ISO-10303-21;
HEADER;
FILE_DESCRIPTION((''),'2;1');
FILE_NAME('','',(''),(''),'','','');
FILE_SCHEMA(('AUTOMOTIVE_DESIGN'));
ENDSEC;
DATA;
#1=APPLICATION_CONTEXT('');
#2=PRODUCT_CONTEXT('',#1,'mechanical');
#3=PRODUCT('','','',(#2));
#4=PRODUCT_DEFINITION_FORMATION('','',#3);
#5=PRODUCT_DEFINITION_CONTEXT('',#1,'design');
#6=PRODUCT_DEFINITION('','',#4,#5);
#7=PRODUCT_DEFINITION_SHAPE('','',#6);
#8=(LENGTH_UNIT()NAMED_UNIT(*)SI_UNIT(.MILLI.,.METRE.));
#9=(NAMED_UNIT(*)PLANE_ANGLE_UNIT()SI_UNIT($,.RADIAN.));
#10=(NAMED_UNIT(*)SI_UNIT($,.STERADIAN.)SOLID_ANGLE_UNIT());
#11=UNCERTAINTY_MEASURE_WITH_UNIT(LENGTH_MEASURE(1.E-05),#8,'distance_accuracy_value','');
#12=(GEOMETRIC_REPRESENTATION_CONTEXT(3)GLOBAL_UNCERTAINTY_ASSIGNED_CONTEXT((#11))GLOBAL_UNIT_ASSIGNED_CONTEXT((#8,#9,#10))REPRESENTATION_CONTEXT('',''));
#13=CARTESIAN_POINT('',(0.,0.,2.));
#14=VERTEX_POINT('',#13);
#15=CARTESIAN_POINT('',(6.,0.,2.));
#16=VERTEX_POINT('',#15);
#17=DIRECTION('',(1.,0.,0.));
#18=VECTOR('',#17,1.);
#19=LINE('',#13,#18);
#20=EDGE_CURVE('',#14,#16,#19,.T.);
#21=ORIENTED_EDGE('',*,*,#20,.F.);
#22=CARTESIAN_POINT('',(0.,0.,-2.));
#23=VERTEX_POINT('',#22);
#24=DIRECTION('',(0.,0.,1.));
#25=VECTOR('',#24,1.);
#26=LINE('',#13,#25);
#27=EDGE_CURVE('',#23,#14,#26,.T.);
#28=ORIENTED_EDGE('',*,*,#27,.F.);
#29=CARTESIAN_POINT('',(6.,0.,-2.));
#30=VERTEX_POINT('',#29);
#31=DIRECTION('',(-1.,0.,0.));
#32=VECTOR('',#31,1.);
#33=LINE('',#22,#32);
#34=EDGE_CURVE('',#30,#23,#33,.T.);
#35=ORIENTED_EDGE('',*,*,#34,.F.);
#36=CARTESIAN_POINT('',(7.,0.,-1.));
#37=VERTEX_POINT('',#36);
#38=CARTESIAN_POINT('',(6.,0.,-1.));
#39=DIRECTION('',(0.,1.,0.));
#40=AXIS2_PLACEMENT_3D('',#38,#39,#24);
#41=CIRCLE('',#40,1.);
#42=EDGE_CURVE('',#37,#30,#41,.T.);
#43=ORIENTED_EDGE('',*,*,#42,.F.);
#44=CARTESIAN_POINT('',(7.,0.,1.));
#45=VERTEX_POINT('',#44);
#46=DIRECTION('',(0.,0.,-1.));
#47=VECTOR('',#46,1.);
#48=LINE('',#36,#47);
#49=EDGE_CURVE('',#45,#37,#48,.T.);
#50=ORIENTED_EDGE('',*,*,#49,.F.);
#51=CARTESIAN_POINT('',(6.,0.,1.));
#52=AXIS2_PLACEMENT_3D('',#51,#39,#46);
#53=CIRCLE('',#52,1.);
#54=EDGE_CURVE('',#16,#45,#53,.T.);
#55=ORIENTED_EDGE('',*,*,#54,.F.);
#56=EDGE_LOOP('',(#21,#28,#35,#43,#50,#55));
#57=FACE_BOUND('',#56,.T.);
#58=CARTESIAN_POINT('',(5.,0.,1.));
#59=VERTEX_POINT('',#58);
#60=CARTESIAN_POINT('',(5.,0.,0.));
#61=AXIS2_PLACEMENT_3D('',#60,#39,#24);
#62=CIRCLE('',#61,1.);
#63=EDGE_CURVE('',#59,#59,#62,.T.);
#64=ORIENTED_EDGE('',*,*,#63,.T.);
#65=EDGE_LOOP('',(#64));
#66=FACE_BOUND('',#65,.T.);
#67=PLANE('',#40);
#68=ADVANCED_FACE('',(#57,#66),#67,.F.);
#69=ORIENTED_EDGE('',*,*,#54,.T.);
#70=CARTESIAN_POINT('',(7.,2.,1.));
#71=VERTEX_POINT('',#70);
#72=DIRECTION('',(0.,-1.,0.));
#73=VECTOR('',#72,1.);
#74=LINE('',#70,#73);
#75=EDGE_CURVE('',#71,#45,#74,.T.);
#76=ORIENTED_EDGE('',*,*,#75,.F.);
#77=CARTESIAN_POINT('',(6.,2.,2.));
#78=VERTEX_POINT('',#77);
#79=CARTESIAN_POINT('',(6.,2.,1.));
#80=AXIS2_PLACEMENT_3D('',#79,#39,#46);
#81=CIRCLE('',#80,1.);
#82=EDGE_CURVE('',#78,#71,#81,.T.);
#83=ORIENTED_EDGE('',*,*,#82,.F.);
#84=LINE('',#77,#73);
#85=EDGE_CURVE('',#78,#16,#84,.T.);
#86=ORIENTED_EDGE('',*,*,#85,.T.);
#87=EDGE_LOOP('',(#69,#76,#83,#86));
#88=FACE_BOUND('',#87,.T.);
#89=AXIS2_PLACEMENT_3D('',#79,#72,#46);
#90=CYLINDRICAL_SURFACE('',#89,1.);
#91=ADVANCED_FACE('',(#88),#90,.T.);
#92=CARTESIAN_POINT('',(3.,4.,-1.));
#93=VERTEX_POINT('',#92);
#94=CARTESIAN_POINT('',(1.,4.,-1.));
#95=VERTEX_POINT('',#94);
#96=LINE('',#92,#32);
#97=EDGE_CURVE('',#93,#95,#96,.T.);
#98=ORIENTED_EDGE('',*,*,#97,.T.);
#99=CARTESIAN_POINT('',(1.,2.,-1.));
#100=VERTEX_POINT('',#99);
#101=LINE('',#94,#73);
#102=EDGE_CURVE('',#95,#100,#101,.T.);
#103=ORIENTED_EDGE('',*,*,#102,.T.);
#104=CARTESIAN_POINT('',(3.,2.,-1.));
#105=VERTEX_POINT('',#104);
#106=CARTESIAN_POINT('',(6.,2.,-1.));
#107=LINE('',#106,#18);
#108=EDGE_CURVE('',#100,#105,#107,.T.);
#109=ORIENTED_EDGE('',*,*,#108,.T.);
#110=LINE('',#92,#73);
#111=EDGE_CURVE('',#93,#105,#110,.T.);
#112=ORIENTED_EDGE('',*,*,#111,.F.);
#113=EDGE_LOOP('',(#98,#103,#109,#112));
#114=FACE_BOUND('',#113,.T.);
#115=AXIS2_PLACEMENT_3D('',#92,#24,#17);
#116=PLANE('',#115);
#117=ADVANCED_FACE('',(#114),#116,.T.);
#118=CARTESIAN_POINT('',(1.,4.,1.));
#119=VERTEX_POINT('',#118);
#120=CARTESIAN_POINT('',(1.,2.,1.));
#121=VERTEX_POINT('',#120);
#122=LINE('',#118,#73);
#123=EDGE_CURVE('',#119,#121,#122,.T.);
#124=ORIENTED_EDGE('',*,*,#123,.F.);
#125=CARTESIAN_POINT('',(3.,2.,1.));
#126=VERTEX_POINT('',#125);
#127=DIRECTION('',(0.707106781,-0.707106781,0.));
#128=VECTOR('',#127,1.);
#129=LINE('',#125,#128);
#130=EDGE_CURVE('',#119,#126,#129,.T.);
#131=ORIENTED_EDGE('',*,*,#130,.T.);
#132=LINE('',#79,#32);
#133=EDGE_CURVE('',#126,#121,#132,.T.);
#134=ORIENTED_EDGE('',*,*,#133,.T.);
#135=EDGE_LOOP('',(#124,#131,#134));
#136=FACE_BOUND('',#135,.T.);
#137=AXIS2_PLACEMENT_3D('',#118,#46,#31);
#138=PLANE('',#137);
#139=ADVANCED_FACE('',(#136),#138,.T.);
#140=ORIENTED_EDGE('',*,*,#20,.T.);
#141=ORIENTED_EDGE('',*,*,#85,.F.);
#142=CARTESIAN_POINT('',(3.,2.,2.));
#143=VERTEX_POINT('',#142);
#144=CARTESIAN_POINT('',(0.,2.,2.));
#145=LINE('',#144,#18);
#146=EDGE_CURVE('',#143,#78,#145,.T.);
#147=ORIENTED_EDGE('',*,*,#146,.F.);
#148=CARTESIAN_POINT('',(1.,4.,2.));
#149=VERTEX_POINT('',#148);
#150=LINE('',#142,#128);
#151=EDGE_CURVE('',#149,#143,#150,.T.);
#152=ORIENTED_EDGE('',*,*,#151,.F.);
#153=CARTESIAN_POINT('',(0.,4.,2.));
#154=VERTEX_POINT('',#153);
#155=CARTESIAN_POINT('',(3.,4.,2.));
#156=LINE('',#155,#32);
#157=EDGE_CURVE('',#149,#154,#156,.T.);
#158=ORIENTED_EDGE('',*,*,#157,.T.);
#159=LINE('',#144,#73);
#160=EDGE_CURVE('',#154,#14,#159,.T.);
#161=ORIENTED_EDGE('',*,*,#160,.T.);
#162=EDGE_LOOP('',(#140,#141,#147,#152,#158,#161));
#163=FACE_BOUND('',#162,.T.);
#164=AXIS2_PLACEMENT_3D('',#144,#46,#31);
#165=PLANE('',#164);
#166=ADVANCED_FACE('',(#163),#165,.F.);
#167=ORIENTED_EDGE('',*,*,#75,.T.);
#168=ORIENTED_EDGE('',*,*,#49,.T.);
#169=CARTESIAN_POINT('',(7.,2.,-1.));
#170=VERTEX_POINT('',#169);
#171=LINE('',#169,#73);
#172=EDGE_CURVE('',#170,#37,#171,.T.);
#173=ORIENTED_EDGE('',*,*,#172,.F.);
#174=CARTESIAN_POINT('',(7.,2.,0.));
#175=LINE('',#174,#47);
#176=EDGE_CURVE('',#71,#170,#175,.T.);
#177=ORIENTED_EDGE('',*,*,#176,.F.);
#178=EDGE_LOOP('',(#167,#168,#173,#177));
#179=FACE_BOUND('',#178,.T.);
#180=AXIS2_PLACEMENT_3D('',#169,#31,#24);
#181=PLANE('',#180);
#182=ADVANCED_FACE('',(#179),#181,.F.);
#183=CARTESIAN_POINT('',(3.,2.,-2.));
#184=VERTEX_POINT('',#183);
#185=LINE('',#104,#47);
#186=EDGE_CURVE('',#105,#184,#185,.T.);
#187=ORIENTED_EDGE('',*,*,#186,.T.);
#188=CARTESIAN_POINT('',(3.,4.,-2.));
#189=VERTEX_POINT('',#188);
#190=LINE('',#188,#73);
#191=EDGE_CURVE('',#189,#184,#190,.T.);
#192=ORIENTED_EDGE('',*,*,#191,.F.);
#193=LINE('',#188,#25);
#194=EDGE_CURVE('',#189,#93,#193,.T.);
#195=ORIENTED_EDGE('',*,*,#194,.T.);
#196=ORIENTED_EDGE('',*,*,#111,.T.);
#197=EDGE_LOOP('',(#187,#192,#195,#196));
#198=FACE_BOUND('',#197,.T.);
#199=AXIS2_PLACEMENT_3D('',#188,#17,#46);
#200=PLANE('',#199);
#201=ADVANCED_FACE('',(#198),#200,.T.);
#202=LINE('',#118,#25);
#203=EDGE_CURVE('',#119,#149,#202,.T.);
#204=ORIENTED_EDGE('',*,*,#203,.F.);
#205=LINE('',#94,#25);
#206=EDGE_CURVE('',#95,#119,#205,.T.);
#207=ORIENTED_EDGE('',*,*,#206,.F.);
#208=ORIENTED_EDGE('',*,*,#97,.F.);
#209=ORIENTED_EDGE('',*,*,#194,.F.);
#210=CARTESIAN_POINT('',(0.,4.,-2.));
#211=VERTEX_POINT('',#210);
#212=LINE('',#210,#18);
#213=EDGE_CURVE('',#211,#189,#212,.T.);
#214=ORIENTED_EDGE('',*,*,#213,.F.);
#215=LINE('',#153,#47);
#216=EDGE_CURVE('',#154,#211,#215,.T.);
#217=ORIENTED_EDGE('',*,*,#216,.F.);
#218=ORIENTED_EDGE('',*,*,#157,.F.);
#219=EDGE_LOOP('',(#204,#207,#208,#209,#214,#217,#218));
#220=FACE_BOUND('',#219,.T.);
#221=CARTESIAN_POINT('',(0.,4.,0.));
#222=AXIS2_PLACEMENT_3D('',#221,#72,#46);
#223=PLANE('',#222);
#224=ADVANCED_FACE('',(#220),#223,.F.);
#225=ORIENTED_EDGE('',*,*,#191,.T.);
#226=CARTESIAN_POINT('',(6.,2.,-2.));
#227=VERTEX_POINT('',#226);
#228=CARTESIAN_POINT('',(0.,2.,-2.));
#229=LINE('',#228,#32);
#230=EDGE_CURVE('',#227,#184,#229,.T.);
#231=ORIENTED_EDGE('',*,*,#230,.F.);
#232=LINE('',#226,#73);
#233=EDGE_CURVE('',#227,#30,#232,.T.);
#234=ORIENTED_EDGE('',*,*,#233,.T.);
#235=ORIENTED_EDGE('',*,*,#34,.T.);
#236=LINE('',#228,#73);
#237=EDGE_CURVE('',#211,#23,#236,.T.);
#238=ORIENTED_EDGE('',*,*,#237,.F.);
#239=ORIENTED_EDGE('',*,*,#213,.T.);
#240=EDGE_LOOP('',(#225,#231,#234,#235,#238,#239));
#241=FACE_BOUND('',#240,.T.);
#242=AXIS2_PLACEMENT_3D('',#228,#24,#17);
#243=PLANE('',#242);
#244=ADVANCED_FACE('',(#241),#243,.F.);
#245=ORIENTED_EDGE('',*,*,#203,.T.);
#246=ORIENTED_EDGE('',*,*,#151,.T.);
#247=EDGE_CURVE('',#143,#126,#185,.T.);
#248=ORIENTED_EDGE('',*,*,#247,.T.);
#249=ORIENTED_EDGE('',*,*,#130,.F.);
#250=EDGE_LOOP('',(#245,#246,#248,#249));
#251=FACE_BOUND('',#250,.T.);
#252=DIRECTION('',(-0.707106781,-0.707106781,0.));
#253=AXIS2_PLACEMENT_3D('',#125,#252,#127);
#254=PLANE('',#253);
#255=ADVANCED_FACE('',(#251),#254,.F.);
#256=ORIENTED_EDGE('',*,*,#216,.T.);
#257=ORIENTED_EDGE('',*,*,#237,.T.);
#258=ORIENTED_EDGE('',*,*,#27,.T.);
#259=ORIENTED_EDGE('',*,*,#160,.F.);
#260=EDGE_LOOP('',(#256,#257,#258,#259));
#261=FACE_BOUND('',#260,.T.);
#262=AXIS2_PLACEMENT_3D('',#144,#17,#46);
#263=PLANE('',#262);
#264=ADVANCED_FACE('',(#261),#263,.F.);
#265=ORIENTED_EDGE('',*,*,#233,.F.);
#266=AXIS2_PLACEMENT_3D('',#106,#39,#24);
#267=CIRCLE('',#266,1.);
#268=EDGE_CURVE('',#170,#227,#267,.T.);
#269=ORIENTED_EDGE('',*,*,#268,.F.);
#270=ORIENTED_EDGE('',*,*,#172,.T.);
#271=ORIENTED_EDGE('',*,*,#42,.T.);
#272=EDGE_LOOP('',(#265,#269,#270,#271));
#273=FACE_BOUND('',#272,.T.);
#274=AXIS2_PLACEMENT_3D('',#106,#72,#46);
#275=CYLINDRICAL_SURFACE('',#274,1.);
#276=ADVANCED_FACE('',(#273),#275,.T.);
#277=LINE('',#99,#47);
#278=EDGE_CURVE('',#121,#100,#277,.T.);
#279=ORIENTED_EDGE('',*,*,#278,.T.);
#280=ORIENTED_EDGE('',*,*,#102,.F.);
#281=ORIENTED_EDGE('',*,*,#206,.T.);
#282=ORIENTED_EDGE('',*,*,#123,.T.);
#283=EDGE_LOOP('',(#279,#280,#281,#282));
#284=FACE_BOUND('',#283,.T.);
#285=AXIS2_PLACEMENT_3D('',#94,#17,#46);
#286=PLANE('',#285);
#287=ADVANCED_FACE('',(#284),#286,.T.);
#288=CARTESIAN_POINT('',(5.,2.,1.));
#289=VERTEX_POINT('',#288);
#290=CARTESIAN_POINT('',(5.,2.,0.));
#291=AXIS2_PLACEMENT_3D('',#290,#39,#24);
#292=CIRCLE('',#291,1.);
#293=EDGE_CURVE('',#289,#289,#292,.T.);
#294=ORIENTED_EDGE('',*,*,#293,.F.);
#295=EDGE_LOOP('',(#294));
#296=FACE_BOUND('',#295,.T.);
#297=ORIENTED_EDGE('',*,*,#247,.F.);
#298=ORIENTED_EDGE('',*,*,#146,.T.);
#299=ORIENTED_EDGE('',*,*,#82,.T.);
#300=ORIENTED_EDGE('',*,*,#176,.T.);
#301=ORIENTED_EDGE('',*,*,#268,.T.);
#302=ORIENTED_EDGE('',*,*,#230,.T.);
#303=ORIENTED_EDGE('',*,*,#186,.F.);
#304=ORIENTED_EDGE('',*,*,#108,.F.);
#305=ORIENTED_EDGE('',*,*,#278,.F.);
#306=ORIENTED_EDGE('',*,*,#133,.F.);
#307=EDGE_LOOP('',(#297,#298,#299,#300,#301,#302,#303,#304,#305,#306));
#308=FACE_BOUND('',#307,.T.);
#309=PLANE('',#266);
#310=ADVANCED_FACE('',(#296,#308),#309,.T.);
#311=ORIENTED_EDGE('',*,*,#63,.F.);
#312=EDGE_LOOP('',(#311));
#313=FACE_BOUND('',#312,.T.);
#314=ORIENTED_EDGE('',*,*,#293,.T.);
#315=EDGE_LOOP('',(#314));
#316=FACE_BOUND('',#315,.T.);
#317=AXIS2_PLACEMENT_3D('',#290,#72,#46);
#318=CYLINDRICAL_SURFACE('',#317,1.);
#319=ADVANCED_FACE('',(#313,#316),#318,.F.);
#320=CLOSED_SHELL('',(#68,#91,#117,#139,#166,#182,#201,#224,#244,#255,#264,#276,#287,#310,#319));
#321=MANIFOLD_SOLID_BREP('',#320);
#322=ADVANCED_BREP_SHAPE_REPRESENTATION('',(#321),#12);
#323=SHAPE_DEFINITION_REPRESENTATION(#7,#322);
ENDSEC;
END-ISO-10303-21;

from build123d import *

# Parameters (mm, degrees)
SKETCH_1_R          = 1
EXTRUDE_1_DEPTH     = 2
EXTRUDE_2_DEPTH     = 4
CUT_EXTRUDE_1_DEPTH = 1


with BuildPart() as part:
    # 草圖1 → 填料-伸長1 (new body)
    with BuildSketch(Plane(origin=(0, 0, 0), x_dir=(1, 0, 0), z_dir=(0, 1, 0))):
        with BuildLine():
            Line((0, -2), (0, 2))
            Line((0, 2), (6, 2))
            ThreePointArc((6, 2), (6.707106781, 1.707106781), (7, 1))
            Line((7, 1), (7, 0))
            Line((7, 0), (7, -1))
            ThreePointArc((7, -1), (6.707106781, -1.707106781), (6, -2))
            Line((6, -2), (0, -2))
        make_face()
        with Locations((5, 0)):
            Circle(SKETCH_1_R, mode=Mode.SUBTRACT)
    extrude(amount=EXTRUDE_1_DEPTH)

    # 草圖4 → 填料-伸長2 (add)
    with BuildSketch(Plane(origin=(0, 0, 0), x_dir=(1, 0, 0), z_dir=(0, 1, 0))):
        Polygon((0, 0), (0, 2), (3, 2), (3, 1), (1, 1), (1, -1), (3, -1), (3, -2), (0, -2), align=None)
    extrude(amount=EXTRUDE_2_DEPTH)

    # 草圖5 → 除料-伸長1 (cut)
    with BuildSketch(Plane.XY.offset(2)):
        Polygon((3, 2), (1, 4), (3, 4), align=None)
    extrude(amount=-CUT_EXTRUDE_1_DEPTH, mode=Mode.SUBTRACT)


solid = part.part
